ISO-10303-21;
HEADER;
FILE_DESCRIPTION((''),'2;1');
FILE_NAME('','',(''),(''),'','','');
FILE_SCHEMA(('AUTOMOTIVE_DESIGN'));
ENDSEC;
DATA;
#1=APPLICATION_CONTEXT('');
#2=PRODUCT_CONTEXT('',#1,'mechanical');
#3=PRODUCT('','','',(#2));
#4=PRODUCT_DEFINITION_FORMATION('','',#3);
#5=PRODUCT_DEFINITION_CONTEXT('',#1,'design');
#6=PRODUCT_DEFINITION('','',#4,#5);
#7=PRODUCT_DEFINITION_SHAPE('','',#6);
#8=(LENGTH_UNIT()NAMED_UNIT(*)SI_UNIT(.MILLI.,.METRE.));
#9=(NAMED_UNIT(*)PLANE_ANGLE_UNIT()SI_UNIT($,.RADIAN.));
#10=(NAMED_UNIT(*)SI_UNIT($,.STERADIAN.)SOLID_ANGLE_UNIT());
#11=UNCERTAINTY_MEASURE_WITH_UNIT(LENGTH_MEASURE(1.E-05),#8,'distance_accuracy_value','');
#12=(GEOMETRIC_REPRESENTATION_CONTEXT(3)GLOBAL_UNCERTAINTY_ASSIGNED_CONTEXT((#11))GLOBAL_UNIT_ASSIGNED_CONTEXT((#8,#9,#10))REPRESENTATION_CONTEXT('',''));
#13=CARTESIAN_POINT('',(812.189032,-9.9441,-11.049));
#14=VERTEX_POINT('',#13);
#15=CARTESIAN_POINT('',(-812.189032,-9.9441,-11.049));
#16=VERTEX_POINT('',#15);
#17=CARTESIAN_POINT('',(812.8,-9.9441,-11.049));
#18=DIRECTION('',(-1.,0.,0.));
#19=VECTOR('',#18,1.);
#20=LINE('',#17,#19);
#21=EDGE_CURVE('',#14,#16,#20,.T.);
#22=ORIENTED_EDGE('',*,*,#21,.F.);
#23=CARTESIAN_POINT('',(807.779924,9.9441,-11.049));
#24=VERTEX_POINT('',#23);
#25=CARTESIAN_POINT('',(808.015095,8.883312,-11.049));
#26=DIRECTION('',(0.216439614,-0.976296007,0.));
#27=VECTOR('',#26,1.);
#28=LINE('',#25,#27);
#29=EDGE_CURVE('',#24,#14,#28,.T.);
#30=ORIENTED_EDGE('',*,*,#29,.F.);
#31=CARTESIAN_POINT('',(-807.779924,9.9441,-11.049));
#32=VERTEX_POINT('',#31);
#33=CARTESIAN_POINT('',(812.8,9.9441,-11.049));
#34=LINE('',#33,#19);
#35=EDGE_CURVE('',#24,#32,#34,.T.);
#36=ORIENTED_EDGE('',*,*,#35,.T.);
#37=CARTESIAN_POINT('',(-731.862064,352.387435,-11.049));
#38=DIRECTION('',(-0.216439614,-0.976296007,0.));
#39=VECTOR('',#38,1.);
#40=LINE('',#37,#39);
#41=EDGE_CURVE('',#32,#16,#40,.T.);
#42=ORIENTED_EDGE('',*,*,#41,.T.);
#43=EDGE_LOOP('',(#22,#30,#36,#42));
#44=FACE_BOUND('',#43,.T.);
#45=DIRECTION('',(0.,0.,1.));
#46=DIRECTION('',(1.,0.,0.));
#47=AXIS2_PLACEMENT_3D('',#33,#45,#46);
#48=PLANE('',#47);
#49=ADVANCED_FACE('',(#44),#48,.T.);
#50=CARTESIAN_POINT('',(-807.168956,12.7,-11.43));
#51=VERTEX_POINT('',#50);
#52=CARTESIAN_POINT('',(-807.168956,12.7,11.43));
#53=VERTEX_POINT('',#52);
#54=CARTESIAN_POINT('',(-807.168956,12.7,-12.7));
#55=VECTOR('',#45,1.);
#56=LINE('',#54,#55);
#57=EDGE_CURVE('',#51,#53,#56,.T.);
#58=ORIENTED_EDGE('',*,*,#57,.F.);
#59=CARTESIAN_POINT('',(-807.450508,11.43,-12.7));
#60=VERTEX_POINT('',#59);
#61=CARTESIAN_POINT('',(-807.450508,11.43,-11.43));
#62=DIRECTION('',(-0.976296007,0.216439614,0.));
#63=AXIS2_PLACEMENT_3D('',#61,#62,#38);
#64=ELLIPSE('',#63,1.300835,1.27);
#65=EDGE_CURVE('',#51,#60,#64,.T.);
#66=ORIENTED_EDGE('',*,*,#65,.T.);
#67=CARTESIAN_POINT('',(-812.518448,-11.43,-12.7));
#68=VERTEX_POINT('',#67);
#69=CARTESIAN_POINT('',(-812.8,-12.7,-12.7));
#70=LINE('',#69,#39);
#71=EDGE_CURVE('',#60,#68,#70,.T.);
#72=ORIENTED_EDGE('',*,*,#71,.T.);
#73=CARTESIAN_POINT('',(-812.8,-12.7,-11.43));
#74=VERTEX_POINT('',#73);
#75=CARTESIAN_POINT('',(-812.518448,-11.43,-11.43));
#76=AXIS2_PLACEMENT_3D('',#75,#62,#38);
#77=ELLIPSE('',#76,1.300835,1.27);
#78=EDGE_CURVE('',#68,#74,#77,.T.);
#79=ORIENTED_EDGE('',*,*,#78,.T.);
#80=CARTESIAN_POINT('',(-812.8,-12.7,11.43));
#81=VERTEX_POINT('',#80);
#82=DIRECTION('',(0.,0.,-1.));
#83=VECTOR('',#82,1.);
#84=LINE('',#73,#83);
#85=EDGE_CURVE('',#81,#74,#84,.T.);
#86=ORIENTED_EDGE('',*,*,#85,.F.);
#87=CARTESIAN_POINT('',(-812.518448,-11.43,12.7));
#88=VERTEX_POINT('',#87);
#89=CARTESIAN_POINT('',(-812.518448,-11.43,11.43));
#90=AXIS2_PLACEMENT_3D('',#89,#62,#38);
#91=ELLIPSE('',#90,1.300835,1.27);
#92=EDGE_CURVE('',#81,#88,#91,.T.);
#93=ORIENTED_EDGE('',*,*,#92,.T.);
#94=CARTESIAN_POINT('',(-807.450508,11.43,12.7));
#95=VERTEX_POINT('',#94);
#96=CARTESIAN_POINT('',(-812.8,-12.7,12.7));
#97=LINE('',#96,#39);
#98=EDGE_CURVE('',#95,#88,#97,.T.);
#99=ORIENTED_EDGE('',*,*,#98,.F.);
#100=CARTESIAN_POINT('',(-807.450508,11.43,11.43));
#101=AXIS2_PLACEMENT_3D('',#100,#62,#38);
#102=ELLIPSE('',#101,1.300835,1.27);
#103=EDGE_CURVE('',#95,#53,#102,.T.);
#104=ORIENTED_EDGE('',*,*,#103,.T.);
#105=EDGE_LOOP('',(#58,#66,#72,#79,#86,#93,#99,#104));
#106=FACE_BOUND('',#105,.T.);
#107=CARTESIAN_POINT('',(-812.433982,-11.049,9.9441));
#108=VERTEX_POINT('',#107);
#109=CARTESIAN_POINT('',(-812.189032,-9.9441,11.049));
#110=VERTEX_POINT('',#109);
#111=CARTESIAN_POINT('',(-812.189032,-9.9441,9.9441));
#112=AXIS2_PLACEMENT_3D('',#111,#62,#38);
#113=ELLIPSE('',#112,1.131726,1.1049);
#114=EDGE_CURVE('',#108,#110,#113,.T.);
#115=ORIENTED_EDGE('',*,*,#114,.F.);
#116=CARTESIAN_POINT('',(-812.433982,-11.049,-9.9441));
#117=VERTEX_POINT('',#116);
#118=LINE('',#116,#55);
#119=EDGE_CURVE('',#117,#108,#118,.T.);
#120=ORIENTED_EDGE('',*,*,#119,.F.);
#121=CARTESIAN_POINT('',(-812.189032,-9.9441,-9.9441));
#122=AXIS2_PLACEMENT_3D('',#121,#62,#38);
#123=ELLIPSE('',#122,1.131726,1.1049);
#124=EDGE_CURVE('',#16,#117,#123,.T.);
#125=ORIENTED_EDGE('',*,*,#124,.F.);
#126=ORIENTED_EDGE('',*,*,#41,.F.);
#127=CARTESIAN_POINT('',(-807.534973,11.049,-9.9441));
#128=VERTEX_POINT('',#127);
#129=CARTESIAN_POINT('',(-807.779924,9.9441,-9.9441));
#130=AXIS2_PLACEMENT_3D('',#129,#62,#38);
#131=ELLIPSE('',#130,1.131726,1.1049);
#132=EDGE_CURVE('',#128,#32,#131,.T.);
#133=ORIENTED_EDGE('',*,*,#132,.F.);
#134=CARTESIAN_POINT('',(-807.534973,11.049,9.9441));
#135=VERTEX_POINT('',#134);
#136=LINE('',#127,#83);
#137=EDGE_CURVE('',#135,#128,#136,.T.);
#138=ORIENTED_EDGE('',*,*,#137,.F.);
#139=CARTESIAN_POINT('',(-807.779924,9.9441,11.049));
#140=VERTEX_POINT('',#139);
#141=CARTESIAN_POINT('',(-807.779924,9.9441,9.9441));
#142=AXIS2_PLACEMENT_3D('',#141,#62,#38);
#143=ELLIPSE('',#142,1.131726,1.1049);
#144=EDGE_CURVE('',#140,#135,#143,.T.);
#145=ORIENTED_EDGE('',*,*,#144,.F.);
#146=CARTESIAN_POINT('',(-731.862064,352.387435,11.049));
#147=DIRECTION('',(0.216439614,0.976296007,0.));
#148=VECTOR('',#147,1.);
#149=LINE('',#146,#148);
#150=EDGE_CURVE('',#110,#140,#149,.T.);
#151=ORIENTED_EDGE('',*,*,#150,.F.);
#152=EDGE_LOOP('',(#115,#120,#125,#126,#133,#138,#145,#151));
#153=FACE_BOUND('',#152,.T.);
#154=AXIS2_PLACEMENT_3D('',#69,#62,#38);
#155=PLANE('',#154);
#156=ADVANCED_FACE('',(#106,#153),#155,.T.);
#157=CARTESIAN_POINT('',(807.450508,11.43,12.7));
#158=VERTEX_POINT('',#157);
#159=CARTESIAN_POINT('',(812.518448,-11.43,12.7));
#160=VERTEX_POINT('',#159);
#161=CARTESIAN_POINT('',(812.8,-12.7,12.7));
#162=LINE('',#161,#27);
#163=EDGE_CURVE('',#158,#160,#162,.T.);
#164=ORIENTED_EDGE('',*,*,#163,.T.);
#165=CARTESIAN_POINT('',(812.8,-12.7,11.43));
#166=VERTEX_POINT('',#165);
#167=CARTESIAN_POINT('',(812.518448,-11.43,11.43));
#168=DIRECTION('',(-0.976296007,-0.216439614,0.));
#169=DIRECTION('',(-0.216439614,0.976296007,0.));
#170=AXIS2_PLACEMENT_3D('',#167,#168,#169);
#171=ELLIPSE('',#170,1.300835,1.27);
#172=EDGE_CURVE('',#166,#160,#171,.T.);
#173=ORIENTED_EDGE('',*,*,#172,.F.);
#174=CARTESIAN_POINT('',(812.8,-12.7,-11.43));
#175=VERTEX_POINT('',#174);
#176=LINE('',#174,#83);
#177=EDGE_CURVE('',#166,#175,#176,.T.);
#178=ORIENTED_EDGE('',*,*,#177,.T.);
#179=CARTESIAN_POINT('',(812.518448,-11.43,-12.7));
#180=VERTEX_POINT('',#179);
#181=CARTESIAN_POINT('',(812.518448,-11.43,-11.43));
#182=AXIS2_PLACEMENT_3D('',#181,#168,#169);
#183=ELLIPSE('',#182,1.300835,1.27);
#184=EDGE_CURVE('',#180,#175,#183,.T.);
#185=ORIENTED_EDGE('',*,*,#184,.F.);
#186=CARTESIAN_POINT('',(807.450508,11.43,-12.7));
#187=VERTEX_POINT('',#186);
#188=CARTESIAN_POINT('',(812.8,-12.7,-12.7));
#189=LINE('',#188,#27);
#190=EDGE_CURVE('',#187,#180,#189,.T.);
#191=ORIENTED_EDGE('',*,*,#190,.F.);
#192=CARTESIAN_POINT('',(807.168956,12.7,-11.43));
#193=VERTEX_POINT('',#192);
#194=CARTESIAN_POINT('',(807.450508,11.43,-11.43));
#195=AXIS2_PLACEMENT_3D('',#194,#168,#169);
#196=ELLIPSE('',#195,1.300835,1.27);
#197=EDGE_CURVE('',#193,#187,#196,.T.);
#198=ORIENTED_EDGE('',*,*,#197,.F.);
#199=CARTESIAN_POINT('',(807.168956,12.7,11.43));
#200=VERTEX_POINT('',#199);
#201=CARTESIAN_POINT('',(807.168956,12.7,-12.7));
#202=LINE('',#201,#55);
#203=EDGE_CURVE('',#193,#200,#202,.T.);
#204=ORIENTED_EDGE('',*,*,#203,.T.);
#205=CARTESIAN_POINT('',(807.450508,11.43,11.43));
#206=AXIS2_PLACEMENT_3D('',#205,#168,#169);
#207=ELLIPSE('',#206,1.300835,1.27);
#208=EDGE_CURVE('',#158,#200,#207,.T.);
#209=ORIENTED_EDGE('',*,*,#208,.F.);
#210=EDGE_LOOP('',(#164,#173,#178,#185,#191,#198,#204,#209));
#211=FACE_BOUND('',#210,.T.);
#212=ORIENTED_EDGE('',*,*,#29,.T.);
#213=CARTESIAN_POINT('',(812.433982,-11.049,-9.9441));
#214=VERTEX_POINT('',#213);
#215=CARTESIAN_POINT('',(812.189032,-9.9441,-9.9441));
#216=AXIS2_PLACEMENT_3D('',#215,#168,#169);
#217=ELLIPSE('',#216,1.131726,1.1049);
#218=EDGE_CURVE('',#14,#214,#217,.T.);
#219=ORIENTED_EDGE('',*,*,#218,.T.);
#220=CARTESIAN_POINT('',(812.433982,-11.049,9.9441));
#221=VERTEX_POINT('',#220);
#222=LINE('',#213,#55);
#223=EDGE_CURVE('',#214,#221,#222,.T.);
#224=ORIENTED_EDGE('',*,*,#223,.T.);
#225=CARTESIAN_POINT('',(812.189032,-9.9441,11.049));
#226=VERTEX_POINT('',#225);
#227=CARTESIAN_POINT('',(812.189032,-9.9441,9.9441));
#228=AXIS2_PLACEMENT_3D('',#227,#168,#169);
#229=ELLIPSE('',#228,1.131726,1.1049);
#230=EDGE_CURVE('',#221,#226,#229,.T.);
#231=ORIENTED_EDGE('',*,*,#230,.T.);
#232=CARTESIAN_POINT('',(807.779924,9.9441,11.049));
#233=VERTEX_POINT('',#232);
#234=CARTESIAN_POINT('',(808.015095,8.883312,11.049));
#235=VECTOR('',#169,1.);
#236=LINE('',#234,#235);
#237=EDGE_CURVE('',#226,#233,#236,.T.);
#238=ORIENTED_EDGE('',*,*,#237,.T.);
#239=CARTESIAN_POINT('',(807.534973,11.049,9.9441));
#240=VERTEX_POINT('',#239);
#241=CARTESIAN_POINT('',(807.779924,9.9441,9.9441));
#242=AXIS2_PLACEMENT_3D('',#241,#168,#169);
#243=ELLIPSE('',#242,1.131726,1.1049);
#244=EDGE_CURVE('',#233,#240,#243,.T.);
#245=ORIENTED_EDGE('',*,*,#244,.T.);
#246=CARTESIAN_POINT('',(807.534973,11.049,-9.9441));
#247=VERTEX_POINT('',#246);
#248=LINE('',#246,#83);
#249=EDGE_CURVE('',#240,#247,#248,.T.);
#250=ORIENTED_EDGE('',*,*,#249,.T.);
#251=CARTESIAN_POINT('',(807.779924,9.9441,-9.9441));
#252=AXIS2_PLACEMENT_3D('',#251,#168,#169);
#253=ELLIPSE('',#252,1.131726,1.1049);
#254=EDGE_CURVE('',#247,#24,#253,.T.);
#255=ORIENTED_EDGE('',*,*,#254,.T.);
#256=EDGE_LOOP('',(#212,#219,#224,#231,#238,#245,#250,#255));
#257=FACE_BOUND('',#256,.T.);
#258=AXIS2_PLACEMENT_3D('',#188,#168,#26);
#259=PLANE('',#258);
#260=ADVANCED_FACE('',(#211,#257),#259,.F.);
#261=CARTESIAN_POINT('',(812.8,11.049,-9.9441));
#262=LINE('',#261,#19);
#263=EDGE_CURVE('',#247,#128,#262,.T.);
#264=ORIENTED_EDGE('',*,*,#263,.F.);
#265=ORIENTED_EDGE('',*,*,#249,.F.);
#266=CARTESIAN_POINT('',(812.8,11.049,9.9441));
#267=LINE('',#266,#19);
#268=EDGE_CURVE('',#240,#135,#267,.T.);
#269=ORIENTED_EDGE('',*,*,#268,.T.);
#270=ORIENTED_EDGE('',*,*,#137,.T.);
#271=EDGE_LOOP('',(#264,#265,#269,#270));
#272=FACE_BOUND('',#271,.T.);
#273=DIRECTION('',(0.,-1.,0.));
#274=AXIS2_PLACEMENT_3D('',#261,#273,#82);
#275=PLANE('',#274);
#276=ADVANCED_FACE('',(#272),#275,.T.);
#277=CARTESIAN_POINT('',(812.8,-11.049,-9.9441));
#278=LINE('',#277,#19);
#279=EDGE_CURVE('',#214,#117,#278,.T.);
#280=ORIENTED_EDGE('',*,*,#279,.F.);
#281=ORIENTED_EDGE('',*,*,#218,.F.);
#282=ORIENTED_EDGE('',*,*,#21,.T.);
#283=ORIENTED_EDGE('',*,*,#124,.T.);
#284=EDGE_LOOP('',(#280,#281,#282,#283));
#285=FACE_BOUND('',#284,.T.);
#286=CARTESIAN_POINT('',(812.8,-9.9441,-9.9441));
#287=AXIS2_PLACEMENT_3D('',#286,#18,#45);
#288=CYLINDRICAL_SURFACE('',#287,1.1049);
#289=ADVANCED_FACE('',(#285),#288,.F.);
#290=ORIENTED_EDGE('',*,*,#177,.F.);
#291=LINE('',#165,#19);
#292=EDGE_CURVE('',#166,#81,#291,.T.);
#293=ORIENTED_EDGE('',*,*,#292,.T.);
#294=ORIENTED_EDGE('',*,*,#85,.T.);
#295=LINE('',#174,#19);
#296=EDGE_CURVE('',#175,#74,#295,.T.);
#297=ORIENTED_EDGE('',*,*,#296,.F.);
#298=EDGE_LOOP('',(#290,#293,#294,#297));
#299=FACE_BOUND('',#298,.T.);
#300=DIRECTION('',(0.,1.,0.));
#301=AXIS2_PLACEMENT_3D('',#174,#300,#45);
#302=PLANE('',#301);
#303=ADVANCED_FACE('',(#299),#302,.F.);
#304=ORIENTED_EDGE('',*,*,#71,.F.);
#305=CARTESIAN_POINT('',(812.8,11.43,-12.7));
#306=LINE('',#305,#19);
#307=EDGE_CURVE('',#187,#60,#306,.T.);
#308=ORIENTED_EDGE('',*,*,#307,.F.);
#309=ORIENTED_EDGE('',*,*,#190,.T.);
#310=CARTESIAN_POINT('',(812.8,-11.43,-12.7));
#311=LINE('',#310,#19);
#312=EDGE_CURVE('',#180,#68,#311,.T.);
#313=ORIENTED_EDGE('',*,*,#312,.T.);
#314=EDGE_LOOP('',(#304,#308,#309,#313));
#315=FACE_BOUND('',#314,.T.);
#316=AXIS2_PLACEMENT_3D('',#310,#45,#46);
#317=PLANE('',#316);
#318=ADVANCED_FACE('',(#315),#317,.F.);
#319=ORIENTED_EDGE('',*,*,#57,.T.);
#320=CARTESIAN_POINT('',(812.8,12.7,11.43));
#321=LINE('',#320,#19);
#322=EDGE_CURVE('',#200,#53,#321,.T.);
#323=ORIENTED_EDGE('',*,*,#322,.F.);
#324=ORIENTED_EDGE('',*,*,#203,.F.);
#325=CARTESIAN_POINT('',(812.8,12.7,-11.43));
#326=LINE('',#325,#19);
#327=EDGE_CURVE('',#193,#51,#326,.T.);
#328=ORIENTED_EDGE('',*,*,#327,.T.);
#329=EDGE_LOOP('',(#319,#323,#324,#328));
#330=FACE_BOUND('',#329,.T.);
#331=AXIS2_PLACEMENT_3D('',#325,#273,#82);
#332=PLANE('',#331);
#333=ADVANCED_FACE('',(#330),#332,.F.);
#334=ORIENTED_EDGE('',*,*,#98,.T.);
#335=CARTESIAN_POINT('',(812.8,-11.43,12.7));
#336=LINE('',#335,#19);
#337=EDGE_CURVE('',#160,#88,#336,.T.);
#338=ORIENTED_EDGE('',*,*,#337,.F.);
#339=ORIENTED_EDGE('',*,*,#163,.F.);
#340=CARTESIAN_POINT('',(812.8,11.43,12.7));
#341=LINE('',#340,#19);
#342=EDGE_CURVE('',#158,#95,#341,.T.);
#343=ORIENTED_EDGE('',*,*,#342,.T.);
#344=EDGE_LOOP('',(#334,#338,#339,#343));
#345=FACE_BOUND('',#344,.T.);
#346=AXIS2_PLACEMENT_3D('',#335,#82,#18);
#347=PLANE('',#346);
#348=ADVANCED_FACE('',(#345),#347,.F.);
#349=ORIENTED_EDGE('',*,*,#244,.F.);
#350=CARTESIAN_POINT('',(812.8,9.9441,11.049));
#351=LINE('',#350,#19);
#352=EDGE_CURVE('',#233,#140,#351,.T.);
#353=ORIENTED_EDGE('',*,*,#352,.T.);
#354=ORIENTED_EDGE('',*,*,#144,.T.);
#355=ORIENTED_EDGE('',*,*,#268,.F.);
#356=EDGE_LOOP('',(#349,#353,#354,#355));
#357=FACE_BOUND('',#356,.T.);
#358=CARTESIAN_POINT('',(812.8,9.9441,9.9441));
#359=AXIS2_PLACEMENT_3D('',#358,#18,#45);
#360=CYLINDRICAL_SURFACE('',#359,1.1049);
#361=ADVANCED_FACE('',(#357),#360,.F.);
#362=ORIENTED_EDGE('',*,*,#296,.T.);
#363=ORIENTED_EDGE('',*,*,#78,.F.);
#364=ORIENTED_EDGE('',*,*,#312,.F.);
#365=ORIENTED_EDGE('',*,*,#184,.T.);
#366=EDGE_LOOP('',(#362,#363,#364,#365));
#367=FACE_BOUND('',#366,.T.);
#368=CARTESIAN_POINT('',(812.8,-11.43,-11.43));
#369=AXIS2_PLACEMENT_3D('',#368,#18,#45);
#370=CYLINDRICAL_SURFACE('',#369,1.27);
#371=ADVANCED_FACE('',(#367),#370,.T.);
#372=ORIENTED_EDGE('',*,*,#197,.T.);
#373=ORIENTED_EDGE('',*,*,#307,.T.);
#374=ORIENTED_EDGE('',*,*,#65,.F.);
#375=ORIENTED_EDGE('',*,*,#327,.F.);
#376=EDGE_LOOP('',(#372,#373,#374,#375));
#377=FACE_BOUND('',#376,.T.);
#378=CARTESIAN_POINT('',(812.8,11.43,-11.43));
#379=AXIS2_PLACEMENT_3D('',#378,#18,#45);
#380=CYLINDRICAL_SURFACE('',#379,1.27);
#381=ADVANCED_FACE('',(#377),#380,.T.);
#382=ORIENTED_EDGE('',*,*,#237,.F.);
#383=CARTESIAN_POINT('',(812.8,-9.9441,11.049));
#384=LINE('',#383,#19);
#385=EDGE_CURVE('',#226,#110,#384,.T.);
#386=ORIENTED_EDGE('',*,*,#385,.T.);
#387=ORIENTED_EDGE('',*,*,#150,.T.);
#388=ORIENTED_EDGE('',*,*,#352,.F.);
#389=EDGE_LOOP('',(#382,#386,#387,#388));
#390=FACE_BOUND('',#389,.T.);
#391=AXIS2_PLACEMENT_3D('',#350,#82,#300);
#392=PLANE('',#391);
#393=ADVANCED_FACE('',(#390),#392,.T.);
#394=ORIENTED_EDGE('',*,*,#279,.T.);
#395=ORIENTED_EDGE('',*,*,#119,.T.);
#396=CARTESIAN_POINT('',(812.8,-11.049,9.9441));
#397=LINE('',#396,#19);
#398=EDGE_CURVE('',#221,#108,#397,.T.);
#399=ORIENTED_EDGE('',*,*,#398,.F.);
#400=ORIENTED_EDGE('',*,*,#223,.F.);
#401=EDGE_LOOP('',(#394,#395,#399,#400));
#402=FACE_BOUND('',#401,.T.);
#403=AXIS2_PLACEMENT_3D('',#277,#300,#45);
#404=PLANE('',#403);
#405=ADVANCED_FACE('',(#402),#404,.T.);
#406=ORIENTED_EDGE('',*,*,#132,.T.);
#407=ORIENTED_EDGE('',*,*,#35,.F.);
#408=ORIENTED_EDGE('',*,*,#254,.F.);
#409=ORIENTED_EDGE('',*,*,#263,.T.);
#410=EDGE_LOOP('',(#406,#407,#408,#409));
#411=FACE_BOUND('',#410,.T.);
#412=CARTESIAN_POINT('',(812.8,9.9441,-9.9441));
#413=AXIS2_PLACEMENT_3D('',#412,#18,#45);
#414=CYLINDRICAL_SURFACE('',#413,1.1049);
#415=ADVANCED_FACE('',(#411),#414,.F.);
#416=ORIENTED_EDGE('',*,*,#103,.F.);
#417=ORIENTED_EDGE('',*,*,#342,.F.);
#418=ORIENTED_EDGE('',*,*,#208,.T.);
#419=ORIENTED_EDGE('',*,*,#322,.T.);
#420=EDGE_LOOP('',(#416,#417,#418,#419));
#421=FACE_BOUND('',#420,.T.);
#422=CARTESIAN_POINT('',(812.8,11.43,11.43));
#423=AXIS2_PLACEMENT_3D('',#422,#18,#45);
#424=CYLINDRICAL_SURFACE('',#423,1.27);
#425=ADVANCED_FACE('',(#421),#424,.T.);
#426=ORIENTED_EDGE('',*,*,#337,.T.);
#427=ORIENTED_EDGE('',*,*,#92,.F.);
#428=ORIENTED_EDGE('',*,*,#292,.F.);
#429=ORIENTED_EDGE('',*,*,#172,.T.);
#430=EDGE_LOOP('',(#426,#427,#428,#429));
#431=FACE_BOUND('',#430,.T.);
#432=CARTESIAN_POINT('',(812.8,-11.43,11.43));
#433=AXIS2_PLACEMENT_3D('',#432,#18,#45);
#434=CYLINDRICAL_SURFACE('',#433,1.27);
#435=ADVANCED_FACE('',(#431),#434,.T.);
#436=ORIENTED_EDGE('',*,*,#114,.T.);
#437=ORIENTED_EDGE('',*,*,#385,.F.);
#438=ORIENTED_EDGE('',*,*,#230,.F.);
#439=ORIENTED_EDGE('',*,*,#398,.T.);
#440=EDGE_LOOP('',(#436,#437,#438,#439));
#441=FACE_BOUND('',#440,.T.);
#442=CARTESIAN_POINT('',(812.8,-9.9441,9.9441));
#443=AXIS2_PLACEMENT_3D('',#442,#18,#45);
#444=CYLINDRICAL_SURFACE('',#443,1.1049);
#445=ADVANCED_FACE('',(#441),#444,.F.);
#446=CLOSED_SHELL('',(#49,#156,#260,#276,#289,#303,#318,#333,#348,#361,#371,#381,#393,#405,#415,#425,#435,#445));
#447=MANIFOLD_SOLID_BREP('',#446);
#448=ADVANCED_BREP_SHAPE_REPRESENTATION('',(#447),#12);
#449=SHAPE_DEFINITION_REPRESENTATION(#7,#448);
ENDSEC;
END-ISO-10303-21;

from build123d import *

# Parameters (mm, degrees)
BOSS_EXTRUDE1_DEPTH      = 812.8
BOSS_EXTRUDE1_DEPTH_BACK = 812.8
CUT_EXTRUDE1_DEPTH       = 814.295942447


with BuildPart() as part:
    # Sketch4 → Boss-Extrude1 (new, two sides: drawn at the far end of the back side and taken through both)
    with BuildSketch(Plane(origin=(0, 0, 0), x_dir=(0, 0, -1), z_dir=(1, 0, 0)).offset(-BOSS_EXTRUDE1_DEPTH_BACK)):
        with BuildLine():
            Line((12.7, -11.43), (12.7, 11.43))
            ThreePointArc((12.7, 11.43), (12.328025612, 12.328025612), (11.43, 12.7))
            Line((11.43, 12.7), (-11.43, 12.7))
            ThreePointArc((-11.43, 12.7), (-12.328025612, 12.328025612), (-12.7, 11.43))
            Line((-12.7, 11.43), (-12.7, -11.43))
            ThreePointArc((-12.7, -11.43), (-12.328025612, -12.328025612), (-11.43, -12.7))
            Line((-11.43, -12.7), (11.43, -12.7))
            ThreePointArc((11.43, -12.7), (12.328025612, -12.328025612), (12.7, -11.43))
        make_face()
        with BuildLine():
            Line((11.049, 9.9441), (11.049, -9.9441))
            ThreePointArc((11.049, -9.9441), (10.725382283, -10.725382283), (9.9441, -11.049))
            Line((9.9441, -11.049), (-9.9441, -11.049))
            ThreePointArc((-9.9441, -11.049), (-10.725382283, -10.725382283), (-11.049, -9.9441))
            Line((-11.049, -9.9441), (-11.049, 9.9441))
            ThreePointArc((-11.049, 9.9441), (-10.725382283, 10.725382283), (-9.9441, 11.049))
            Line((-9.9441, 11.049), (9.9441, 11.049))
            ThreePointArc((9.9441, 11.049), (10.725382283, 10.725382283), (11.049, 9.9441))
        make_face(mode=Mode.SUBTRACT)
    extrude(amount=BOSS_EXTRUDE1_DEPTH + BOSS_EXTRUDE1_DEPTH_BACK)

    # Sketch5 → Cut-Extrude1 (cut, through all)
    with BuildSketch(Plane.XY.offset(12.7)):
        Polygon((812.8, -12.7), (807.168955569, 12.7), (812.8, 12.7), align=None)
    cut_extrude1 = extrude(amount=-CUT_EXTRUDE1_DEPTH, mode=Mode.SUBTRACT)

    # Mirror1: Cut-Extrude1 across plane
    add(cut_extrude1.mirror(Plane(origin=(0, 0, 0), x_dir=(0, 0, 1), z_dir=(1, 0, 0))), mode=Mode.SUBTRACT)


solid = part.part
